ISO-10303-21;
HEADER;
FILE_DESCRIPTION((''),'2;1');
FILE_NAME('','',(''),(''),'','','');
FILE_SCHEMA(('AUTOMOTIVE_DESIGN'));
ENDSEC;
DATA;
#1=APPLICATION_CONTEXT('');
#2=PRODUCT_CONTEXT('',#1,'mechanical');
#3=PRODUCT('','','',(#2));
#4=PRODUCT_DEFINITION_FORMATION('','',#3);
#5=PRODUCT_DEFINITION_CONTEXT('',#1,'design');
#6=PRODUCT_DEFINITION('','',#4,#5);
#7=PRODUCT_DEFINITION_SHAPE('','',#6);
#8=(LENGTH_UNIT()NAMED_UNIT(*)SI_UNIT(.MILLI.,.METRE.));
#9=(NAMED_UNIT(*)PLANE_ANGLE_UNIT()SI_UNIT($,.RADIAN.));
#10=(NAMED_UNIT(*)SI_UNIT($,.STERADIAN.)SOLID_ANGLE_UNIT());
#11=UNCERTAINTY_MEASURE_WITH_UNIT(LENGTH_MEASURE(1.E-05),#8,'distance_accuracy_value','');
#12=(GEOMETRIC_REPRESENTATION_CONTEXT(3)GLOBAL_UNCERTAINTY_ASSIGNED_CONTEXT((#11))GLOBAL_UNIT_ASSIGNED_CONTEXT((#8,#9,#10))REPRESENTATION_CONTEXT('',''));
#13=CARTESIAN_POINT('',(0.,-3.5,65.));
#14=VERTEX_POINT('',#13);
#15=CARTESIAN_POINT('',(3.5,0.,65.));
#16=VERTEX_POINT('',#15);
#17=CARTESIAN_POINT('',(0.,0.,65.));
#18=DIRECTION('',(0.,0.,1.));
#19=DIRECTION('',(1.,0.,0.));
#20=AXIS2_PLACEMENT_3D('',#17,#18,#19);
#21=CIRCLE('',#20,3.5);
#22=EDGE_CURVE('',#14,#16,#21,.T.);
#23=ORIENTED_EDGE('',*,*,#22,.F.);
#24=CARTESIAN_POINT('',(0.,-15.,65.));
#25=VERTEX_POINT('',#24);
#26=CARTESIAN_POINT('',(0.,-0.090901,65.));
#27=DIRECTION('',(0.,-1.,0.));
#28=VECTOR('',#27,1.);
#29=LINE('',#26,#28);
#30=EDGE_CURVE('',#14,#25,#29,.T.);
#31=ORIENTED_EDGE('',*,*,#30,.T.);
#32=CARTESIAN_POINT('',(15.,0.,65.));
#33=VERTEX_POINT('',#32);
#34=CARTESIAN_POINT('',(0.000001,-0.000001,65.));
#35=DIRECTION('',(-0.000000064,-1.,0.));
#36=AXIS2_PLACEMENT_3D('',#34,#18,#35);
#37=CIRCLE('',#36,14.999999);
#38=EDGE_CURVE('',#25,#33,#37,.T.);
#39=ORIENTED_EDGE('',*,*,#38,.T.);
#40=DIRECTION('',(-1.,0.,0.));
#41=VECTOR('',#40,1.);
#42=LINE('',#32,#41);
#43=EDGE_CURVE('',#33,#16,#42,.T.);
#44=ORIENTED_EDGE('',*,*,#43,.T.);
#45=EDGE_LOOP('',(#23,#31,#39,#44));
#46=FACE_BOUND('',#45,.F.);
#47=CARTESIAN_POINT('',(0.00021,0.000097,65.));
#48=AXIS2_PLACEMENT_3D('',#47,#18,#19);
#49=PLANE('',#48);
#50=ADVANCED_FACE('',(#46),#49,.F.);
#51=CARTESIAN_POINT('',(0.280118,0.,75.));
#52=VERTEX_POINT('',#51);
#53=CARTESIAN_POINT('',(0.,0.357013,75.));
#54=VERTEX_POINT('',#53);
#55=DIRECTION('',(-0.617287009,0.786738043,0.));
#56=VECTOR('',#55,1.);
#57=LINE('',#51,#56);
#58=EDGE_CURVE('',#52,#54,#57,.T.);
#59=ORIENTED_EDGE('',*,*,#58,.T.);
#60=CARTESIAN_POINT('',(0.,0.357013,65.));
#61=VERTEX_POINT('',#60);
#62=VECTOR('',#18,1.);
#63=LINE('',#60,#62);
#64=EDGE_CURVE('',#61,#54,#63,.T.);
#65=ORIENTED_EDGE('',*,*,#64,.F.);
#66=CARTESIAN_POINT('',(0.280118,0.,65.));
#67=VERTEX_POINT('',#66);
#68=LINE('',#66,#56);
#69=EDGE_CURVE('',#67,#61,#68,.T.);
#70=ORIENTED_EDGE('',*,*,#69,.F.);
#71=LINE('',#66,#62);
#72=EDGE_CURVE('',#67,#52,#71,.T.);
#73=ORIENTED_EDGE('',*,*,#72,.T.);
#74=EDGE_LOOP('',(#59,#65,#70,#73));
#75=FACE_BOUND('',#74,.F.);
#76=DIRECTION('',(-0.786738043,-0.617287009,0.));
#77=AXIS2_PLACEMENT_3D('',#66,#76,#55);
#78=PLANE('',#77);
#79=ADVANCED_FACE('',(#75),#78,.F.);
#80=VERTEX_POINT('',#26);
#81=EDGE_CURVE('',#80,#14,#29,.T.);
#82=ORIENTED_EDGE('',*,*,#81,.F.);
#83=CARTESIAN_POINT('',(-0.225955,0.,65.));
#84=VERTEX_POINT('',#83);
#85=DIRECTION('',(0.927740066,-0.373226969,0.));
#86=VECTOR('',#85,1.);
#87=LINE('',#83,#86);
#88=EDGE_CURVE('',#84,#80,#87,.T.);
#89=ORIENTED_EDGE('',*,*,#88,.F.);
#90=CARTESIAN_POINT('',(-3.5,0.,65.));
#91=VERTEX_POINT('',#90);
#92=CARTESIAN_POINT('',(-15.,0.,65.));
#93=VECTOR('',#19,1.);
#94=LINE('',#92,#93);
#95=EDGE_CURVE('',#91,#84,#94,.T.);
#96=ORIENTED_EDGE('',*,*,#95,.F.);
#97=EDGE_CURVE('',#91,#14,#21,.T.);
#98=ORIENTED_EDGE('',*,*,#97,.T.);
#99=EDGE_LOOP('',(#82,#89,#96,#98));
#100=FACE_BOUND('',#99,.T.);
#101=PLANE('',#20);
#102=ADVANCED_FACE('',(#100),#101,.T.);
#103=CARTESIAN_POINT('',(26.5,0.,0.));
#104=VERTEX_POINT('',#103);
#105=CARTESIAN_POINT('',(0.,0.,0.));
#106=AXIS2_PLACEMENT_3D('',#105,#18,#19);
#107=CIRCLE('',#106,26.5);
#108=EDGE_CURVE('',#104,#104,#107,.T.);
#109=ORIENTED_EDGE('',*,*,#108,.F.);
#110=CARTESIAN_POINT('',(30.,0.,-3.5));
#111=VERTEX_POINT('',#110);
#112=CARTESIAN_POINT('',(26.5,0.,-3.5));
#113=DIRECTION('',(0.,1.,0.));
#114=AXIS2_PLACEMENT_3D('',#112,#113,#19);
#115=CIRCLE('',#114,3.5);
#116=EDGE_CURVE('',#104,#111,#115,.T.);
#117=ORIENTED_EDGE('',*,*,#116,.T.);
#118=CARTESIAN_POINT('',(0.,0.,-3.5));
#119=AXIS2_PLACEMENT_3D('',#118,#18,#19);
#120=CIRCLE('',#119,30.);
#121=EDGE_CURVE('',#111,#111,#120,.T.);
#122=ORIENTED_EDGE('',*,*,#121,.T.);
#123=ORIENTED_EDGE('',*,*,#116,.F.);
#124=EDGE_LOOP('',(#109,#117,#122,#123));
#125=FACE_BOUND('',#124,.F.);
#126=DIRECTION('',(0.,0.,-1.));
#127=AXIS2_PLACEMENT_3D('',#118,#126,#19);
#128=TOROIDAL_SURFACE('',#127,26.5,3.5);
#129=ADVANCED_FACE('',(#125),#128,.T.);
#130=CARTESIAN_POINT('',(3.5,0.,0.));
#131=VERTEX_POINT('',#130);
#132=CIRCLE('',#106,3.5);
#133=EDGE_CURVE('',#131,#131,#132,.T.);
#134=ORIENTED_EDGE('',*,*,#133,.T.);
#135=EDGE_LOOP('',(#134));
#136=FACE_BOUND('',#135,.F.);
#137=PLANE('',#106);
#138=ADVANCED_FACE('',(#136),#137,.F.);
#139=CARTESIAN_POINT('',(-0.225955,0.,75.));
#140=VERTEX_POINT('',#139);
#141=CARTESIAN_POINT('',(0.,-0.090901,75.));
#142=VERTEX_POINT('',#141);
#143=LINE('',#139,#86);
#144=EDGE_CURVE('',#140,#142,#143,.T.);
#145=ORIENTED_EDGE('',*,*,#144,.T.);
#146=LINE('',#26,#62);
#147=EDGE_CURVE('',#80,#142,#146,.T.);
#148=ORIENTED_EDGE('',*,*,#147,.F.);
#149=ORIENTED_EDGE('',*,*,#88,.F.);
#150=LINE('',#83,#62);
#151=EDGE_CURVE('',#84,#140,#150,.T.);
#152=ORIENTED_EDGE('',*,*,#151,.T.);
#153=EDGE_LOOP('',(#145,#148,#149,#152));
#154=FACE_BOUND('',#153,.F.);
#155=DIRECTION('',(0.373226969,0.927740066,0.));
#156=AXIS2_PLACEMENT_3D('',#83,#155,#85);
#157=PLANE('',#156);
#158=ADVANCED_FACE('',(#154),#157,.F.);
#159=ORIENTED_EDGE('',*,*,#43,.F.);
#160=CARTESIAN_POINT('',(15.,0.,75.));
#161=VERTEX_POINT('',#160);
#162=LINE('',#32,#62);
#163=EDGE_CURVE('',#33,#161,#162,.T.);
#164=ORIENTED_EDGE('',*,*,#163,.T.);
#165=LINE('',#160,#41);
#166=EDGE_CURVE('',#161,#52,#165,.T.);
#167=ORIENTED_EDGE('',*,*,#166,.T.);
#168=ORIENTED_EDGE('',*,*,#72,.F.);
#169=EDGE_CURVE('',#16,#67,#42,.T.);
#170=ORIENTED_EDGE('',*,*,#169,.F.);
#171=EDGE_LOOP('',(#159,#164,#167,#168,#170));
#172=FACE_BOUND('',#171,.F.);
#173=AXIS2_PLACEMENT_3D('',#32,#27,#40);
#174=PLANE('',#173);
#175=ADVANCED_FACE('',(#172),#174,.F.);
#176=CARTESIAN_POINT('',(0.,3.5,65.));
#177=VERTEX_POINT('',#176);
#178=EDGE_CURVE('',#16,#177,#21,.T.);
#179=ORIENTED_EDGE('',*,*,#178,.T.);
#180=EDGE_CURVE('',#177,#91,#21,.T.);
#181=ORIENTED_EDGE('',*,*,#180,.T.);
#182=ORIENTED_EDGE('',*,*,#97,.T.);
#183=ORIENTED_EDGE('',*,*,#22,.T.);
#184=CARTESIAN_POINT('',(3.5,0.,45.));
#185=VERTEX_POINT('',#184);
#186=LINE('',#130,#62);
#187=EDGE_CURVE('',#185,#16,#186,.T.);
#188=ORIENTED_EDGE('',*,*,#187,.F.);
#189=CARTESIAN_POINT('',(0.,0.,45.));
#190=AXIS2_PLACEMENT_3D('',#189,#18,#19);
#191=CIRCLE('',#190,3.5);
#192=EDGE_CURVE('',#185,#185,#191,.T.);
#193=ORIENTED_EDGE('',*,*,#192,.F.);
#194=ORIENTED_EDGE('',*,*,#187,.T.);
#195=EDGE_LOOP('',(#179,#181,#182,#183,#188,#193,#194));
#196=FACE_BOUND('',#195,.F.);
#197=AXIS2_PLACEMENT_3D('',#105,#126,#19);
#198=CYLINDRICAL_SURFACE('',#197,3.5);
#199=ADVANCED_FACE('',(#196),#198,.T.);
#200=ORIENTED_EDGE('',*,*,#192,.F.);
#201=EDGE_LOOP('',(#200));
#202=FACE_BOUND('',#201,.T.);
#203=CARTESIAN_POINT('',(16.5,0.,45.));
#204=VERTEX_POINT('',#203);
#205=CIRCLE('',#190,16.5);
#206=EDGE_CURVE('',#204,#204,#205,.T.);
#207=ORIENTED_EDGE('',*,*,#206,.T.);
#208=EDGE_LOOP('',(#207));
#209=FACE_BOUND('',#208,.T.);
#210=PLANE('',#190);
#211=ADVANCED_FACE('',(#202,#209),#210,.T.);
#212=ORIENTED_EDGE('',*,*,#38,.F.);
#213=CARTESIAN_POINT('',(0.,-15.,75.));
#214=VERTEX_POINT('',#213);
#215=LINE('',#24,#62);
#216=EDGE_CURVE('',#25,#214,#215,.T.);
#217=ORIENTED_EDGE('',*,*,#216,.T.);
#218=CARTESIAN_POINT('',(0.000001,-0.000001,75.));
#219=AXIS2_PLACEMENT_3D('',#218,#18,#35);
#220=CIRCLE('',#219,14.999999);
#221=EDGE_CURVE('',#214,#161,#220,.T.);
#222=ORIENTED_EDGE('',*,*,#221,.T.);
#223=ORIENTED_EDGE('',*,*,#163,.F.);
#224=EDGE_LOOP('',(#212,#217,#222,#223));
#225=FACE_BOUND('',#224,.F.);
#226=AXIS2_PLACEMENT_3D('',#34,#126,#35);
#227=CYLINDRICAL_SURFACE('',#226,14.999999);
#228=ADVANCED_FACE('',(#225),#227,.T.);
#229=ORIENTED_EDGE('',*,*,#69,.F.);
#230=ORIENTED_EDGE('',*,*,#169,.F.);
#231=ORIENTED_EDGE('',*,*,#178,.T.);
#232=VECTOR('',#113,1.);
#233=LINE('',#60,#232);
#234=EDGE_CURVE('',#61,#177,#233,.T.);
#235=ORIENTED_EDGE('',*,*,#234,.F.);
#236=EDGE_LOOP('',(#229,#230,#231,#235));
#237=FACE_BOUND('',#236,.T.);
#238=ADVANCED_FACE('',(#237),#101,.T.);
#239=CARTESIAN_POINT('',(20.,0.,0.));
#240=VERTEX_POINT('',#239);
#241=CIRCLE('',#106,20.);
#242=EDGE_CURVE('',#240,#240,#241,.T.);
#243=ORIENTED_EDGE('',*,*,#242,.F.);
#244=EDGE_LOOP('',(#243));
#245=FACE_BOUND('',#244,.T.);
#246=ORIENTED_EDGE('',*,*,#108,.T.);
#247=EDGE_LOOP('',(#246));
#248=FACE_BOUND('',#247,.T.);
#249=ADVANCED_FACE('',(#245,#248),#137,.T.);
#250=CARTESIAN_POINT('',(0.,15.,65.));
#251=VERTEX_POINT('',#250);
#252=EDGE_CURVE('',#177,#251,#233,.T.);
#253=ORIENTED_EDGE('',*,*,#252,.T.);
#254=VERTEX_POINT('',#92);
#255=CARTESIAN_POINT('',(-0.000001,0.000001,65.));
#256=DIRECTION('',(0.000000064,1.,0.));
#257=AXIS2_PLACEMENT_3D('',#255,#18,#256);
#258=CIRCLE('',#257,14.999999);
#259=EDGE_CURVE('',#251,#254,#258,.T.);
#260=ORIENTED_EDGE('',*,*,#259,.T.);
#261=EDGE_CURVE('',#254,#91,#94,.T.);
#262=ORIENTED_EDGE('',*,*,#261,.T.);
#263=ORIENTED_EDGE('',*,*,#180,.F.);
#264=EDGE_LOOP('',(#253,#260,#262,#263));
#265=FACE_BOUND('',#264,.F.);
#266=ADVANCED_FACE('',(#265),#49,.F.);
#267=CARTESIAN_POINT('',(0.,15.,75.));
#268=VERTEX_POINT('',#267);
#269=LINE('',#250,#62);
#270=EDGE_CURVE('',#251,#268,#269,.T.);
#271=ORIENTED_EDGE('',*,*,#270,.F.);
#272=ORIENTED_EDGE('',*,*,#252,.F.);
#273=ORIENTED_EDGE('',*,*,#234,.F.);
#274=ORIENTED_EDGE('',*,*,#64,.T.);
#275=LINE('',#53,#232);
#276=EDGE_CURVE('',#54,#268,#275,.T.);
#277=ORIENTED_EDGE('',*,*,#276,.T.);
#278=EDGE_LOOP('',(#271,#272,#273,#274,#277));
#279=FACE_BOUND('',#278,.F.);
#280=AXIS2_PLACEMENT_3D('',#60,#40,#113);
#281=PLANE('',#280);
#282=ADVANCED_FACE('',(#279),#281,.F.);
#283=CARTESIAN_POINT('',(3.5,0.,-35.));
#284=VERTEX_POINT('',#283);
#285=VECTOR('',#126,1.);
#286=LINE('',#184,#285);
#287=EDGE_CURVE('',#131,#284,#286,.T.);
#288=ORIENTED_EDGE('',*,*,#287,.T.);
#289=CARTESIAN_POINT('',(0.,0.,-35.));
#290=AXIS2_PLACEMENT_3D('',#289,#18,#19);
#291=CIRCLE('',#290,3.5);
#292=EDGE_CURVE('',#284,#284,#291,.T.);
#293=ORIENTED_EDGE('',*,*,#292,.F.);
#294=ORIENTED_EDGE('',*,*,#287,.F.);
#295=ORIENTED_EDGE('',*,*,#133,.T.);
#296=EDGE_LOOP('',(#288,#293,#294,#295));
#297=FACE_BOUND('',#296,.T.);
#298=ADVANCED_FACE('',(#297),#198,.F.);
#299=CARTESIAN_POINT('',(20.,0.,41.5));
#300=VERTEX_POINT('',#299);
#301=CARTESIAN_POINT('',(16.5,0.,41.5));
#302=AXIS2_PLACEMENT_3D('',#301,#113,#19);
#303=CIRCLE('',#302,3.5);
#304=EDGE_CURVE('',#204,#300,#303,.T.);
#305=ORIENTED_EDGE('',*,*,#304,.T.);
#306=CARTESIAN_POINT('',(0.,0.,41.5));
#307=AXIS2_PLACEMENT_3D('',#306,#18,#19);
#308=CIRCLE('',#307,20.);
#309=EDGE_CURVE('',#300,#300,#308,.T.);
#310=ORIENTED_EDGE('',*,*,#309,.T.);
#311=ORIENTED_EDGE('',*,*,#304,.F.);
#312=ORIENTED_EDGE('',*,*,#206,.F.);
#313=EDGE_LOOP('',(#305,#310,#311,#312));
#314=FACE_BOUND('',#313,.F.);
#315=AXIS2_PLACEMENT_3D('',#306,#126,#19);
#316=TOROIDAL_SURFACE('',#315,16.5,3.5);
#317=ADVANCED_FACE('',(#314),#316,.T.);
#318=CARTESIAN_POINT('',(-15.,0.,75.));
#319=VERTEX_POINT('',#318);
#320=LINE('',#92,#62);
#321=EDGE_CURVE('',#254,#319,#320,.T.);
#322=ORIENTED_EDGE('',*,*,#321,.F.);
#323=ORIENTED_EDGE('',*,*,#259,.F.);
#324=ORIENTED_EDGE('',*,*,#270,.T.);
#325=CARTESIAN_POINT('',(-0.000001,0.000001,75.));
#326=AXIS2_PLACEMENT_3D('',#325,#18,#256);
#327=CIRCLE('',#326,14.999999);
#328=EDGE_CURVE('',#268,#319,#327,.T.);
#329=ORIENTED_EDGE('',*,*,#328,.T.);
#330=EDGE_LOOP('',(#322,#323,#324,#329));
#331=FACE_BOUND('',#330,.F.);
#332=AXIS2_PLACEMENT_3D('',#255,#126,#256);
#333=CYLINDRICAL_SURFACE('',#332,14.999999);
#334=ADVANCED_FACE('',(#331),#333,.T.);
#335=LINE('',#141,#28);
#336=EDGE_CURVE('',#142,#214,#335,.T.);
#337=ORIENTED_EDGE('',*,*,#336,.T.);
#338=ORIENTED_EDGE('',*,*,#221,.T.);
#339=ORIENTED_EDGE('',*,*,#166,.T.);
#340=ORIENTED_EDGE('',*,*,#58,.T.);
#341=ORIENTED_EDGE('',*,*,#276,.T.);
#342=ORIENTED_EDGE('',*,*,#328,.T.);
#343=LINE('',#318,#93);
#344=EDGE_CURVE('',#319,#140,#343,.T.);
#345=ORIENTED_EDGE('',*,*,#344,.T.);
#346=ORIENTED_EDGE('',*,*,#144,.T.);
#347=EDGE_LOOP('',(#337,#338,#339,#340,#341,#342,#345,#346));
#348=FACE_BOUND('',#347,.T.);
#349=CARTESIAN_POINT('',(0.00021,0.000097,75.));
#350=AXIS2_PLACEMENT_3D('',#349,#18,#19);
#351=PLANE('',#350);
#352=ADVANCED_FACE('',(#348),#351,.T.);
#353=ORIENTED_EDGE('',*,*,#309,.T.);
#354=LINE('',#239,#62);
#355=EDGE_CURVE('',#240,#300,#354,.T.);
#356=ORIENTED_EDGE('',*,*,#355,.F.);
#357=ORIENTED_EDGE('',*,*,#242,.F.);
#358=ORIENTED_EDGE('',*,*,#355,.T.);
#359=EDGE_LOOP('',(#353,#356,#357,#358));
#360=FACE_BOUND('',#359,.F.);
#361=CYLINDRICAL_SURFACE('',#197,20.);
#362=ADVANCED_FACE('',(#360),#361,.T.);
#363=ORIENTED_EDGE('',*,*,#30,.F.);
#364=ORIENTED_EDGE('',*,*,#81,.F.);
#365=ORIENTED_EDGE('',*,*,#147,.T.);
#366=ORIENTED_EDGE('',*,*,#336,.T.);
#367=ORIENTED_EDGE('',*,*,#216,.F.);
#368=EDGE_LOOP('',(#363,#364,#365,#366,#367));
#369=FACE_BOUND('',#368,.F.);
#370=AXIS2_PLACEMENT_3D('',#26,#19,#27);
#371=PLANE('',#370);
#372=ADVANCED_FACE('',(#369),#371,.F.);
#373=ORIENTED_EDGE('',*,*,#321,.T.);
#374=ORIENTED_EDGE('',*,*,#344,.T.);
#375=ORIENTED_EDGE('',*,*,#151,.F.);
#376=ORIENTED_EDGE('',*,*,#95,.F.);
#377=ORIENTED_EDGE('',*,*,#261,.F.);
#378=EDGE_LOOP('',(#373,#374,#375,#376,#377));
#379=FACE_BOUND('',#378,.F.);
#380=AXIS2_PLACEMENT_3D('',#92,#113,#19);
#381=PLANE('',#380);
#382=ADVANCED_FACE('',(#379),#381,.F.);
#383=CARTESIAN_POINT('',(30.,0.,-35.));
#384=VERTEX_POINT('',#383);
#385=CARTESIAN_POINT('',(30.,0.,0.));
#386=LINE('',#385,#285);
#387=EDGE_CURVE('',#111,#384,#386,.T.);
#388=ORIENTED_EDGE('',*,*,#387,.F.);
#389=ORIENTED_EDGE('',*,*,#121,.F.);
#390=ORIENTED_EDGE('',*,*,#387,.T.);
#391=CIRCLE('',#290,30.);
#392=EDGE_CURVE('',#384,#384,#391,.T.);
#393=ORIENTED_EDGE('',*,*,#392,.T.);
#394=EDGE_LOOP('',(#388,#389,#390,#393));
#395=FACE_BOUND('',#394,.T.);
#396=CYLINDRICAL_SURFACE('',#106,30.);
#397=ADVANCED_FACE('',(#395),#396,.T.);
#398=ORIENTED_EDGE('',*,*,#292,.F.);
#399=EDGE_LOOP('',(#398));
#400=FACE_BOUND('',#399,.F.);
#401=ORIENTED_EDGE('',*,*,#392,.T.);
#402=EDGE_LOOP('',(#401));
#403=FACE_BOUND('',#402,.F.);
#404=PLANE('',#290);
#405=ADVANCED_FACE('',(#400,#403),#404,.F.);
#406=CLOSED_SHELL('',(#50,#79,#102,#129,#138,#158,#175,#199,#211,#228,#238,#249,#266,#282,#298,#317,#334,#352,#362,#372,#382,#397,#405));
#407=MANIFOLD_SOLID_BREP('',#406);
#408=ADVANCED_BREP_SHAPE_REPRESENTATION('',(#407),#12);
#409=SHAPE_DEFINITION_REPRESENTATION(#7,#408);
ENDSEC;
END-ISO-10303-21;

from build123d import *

# Parameters (mm, degrees)
F0_R     = 30
F0_R_2   = 20
F0_R_3   = 3.5
F1_DEPTH = 35
F2_DEPTH = 45
F3_DEPTH = 65
F6_DEPTH = 10
F7_R     = 3.5


with BuildPart() as f1:
    # F0 (on Top) → F1 (new body)
    with BuildSketch(Plane.XY):
        Circle(F0_R)
        Circle(F0_R_2, mode=Mode.SUBTRACT)
        Circle(F0_R_2)
        Circle(F0_R_3, mode=Mode.SUBTRACT)
    extrude(amount=-F1_DEPTH)

    # F0 (on Top) → F2 (join)
    with BuildSketch(Plane.XY):
        Circle(F0_R_2)
        Circle(F0_R_3, mode=Mode.SUBTRACT)
    extrude(amount=F2_DEPTH)

    # F0 (on Top) → F3 (join)
    with BuildSketch(Plane.XY):
        Circle(F0_R_3)
    extrude(amount=F3_DEPTH)

    # F5 (on offset) → F6 (join)
    with BuildSketch(Plane.XY.offset(65)):
        with BuildLine():
            Line((0, 3.582485), (0, 15))
            ThreePointArc((0, 15), (-10.606602, 10.606602), (-15, 0))
            Line((-15, 0), (-1.836112, 0))
            Line((-1.836112, 0), (-0.225955, 0))
            Line((-0.225955, 0), (0, -0.090901))
            Line((0, -0.090901), (0, -1.836112))
            Line((0, -1.836112), (0, -15))
            ThreePointArc((0, -15), (10.606602, -10.606602), (15, 0))
            Line((15, 0), (1.836112, 0))
            Line((1.836112, 0), (0.280118, 0))
            Line((0.280118, 0), (0, 0.357013))
            Line((0, 0.357013), (0, 3.582485))
        make_face()
    extrude(amount=F6_DEPTH)

    # F7
    f7_edges = [f1.edges().sort_by_distance(p)[0] for p in [
        (-20, 0, 45),
        (-30, 0, 0),
    ]]
    fillet(f7_edges, radius=F7_R)


solid = f1.part
